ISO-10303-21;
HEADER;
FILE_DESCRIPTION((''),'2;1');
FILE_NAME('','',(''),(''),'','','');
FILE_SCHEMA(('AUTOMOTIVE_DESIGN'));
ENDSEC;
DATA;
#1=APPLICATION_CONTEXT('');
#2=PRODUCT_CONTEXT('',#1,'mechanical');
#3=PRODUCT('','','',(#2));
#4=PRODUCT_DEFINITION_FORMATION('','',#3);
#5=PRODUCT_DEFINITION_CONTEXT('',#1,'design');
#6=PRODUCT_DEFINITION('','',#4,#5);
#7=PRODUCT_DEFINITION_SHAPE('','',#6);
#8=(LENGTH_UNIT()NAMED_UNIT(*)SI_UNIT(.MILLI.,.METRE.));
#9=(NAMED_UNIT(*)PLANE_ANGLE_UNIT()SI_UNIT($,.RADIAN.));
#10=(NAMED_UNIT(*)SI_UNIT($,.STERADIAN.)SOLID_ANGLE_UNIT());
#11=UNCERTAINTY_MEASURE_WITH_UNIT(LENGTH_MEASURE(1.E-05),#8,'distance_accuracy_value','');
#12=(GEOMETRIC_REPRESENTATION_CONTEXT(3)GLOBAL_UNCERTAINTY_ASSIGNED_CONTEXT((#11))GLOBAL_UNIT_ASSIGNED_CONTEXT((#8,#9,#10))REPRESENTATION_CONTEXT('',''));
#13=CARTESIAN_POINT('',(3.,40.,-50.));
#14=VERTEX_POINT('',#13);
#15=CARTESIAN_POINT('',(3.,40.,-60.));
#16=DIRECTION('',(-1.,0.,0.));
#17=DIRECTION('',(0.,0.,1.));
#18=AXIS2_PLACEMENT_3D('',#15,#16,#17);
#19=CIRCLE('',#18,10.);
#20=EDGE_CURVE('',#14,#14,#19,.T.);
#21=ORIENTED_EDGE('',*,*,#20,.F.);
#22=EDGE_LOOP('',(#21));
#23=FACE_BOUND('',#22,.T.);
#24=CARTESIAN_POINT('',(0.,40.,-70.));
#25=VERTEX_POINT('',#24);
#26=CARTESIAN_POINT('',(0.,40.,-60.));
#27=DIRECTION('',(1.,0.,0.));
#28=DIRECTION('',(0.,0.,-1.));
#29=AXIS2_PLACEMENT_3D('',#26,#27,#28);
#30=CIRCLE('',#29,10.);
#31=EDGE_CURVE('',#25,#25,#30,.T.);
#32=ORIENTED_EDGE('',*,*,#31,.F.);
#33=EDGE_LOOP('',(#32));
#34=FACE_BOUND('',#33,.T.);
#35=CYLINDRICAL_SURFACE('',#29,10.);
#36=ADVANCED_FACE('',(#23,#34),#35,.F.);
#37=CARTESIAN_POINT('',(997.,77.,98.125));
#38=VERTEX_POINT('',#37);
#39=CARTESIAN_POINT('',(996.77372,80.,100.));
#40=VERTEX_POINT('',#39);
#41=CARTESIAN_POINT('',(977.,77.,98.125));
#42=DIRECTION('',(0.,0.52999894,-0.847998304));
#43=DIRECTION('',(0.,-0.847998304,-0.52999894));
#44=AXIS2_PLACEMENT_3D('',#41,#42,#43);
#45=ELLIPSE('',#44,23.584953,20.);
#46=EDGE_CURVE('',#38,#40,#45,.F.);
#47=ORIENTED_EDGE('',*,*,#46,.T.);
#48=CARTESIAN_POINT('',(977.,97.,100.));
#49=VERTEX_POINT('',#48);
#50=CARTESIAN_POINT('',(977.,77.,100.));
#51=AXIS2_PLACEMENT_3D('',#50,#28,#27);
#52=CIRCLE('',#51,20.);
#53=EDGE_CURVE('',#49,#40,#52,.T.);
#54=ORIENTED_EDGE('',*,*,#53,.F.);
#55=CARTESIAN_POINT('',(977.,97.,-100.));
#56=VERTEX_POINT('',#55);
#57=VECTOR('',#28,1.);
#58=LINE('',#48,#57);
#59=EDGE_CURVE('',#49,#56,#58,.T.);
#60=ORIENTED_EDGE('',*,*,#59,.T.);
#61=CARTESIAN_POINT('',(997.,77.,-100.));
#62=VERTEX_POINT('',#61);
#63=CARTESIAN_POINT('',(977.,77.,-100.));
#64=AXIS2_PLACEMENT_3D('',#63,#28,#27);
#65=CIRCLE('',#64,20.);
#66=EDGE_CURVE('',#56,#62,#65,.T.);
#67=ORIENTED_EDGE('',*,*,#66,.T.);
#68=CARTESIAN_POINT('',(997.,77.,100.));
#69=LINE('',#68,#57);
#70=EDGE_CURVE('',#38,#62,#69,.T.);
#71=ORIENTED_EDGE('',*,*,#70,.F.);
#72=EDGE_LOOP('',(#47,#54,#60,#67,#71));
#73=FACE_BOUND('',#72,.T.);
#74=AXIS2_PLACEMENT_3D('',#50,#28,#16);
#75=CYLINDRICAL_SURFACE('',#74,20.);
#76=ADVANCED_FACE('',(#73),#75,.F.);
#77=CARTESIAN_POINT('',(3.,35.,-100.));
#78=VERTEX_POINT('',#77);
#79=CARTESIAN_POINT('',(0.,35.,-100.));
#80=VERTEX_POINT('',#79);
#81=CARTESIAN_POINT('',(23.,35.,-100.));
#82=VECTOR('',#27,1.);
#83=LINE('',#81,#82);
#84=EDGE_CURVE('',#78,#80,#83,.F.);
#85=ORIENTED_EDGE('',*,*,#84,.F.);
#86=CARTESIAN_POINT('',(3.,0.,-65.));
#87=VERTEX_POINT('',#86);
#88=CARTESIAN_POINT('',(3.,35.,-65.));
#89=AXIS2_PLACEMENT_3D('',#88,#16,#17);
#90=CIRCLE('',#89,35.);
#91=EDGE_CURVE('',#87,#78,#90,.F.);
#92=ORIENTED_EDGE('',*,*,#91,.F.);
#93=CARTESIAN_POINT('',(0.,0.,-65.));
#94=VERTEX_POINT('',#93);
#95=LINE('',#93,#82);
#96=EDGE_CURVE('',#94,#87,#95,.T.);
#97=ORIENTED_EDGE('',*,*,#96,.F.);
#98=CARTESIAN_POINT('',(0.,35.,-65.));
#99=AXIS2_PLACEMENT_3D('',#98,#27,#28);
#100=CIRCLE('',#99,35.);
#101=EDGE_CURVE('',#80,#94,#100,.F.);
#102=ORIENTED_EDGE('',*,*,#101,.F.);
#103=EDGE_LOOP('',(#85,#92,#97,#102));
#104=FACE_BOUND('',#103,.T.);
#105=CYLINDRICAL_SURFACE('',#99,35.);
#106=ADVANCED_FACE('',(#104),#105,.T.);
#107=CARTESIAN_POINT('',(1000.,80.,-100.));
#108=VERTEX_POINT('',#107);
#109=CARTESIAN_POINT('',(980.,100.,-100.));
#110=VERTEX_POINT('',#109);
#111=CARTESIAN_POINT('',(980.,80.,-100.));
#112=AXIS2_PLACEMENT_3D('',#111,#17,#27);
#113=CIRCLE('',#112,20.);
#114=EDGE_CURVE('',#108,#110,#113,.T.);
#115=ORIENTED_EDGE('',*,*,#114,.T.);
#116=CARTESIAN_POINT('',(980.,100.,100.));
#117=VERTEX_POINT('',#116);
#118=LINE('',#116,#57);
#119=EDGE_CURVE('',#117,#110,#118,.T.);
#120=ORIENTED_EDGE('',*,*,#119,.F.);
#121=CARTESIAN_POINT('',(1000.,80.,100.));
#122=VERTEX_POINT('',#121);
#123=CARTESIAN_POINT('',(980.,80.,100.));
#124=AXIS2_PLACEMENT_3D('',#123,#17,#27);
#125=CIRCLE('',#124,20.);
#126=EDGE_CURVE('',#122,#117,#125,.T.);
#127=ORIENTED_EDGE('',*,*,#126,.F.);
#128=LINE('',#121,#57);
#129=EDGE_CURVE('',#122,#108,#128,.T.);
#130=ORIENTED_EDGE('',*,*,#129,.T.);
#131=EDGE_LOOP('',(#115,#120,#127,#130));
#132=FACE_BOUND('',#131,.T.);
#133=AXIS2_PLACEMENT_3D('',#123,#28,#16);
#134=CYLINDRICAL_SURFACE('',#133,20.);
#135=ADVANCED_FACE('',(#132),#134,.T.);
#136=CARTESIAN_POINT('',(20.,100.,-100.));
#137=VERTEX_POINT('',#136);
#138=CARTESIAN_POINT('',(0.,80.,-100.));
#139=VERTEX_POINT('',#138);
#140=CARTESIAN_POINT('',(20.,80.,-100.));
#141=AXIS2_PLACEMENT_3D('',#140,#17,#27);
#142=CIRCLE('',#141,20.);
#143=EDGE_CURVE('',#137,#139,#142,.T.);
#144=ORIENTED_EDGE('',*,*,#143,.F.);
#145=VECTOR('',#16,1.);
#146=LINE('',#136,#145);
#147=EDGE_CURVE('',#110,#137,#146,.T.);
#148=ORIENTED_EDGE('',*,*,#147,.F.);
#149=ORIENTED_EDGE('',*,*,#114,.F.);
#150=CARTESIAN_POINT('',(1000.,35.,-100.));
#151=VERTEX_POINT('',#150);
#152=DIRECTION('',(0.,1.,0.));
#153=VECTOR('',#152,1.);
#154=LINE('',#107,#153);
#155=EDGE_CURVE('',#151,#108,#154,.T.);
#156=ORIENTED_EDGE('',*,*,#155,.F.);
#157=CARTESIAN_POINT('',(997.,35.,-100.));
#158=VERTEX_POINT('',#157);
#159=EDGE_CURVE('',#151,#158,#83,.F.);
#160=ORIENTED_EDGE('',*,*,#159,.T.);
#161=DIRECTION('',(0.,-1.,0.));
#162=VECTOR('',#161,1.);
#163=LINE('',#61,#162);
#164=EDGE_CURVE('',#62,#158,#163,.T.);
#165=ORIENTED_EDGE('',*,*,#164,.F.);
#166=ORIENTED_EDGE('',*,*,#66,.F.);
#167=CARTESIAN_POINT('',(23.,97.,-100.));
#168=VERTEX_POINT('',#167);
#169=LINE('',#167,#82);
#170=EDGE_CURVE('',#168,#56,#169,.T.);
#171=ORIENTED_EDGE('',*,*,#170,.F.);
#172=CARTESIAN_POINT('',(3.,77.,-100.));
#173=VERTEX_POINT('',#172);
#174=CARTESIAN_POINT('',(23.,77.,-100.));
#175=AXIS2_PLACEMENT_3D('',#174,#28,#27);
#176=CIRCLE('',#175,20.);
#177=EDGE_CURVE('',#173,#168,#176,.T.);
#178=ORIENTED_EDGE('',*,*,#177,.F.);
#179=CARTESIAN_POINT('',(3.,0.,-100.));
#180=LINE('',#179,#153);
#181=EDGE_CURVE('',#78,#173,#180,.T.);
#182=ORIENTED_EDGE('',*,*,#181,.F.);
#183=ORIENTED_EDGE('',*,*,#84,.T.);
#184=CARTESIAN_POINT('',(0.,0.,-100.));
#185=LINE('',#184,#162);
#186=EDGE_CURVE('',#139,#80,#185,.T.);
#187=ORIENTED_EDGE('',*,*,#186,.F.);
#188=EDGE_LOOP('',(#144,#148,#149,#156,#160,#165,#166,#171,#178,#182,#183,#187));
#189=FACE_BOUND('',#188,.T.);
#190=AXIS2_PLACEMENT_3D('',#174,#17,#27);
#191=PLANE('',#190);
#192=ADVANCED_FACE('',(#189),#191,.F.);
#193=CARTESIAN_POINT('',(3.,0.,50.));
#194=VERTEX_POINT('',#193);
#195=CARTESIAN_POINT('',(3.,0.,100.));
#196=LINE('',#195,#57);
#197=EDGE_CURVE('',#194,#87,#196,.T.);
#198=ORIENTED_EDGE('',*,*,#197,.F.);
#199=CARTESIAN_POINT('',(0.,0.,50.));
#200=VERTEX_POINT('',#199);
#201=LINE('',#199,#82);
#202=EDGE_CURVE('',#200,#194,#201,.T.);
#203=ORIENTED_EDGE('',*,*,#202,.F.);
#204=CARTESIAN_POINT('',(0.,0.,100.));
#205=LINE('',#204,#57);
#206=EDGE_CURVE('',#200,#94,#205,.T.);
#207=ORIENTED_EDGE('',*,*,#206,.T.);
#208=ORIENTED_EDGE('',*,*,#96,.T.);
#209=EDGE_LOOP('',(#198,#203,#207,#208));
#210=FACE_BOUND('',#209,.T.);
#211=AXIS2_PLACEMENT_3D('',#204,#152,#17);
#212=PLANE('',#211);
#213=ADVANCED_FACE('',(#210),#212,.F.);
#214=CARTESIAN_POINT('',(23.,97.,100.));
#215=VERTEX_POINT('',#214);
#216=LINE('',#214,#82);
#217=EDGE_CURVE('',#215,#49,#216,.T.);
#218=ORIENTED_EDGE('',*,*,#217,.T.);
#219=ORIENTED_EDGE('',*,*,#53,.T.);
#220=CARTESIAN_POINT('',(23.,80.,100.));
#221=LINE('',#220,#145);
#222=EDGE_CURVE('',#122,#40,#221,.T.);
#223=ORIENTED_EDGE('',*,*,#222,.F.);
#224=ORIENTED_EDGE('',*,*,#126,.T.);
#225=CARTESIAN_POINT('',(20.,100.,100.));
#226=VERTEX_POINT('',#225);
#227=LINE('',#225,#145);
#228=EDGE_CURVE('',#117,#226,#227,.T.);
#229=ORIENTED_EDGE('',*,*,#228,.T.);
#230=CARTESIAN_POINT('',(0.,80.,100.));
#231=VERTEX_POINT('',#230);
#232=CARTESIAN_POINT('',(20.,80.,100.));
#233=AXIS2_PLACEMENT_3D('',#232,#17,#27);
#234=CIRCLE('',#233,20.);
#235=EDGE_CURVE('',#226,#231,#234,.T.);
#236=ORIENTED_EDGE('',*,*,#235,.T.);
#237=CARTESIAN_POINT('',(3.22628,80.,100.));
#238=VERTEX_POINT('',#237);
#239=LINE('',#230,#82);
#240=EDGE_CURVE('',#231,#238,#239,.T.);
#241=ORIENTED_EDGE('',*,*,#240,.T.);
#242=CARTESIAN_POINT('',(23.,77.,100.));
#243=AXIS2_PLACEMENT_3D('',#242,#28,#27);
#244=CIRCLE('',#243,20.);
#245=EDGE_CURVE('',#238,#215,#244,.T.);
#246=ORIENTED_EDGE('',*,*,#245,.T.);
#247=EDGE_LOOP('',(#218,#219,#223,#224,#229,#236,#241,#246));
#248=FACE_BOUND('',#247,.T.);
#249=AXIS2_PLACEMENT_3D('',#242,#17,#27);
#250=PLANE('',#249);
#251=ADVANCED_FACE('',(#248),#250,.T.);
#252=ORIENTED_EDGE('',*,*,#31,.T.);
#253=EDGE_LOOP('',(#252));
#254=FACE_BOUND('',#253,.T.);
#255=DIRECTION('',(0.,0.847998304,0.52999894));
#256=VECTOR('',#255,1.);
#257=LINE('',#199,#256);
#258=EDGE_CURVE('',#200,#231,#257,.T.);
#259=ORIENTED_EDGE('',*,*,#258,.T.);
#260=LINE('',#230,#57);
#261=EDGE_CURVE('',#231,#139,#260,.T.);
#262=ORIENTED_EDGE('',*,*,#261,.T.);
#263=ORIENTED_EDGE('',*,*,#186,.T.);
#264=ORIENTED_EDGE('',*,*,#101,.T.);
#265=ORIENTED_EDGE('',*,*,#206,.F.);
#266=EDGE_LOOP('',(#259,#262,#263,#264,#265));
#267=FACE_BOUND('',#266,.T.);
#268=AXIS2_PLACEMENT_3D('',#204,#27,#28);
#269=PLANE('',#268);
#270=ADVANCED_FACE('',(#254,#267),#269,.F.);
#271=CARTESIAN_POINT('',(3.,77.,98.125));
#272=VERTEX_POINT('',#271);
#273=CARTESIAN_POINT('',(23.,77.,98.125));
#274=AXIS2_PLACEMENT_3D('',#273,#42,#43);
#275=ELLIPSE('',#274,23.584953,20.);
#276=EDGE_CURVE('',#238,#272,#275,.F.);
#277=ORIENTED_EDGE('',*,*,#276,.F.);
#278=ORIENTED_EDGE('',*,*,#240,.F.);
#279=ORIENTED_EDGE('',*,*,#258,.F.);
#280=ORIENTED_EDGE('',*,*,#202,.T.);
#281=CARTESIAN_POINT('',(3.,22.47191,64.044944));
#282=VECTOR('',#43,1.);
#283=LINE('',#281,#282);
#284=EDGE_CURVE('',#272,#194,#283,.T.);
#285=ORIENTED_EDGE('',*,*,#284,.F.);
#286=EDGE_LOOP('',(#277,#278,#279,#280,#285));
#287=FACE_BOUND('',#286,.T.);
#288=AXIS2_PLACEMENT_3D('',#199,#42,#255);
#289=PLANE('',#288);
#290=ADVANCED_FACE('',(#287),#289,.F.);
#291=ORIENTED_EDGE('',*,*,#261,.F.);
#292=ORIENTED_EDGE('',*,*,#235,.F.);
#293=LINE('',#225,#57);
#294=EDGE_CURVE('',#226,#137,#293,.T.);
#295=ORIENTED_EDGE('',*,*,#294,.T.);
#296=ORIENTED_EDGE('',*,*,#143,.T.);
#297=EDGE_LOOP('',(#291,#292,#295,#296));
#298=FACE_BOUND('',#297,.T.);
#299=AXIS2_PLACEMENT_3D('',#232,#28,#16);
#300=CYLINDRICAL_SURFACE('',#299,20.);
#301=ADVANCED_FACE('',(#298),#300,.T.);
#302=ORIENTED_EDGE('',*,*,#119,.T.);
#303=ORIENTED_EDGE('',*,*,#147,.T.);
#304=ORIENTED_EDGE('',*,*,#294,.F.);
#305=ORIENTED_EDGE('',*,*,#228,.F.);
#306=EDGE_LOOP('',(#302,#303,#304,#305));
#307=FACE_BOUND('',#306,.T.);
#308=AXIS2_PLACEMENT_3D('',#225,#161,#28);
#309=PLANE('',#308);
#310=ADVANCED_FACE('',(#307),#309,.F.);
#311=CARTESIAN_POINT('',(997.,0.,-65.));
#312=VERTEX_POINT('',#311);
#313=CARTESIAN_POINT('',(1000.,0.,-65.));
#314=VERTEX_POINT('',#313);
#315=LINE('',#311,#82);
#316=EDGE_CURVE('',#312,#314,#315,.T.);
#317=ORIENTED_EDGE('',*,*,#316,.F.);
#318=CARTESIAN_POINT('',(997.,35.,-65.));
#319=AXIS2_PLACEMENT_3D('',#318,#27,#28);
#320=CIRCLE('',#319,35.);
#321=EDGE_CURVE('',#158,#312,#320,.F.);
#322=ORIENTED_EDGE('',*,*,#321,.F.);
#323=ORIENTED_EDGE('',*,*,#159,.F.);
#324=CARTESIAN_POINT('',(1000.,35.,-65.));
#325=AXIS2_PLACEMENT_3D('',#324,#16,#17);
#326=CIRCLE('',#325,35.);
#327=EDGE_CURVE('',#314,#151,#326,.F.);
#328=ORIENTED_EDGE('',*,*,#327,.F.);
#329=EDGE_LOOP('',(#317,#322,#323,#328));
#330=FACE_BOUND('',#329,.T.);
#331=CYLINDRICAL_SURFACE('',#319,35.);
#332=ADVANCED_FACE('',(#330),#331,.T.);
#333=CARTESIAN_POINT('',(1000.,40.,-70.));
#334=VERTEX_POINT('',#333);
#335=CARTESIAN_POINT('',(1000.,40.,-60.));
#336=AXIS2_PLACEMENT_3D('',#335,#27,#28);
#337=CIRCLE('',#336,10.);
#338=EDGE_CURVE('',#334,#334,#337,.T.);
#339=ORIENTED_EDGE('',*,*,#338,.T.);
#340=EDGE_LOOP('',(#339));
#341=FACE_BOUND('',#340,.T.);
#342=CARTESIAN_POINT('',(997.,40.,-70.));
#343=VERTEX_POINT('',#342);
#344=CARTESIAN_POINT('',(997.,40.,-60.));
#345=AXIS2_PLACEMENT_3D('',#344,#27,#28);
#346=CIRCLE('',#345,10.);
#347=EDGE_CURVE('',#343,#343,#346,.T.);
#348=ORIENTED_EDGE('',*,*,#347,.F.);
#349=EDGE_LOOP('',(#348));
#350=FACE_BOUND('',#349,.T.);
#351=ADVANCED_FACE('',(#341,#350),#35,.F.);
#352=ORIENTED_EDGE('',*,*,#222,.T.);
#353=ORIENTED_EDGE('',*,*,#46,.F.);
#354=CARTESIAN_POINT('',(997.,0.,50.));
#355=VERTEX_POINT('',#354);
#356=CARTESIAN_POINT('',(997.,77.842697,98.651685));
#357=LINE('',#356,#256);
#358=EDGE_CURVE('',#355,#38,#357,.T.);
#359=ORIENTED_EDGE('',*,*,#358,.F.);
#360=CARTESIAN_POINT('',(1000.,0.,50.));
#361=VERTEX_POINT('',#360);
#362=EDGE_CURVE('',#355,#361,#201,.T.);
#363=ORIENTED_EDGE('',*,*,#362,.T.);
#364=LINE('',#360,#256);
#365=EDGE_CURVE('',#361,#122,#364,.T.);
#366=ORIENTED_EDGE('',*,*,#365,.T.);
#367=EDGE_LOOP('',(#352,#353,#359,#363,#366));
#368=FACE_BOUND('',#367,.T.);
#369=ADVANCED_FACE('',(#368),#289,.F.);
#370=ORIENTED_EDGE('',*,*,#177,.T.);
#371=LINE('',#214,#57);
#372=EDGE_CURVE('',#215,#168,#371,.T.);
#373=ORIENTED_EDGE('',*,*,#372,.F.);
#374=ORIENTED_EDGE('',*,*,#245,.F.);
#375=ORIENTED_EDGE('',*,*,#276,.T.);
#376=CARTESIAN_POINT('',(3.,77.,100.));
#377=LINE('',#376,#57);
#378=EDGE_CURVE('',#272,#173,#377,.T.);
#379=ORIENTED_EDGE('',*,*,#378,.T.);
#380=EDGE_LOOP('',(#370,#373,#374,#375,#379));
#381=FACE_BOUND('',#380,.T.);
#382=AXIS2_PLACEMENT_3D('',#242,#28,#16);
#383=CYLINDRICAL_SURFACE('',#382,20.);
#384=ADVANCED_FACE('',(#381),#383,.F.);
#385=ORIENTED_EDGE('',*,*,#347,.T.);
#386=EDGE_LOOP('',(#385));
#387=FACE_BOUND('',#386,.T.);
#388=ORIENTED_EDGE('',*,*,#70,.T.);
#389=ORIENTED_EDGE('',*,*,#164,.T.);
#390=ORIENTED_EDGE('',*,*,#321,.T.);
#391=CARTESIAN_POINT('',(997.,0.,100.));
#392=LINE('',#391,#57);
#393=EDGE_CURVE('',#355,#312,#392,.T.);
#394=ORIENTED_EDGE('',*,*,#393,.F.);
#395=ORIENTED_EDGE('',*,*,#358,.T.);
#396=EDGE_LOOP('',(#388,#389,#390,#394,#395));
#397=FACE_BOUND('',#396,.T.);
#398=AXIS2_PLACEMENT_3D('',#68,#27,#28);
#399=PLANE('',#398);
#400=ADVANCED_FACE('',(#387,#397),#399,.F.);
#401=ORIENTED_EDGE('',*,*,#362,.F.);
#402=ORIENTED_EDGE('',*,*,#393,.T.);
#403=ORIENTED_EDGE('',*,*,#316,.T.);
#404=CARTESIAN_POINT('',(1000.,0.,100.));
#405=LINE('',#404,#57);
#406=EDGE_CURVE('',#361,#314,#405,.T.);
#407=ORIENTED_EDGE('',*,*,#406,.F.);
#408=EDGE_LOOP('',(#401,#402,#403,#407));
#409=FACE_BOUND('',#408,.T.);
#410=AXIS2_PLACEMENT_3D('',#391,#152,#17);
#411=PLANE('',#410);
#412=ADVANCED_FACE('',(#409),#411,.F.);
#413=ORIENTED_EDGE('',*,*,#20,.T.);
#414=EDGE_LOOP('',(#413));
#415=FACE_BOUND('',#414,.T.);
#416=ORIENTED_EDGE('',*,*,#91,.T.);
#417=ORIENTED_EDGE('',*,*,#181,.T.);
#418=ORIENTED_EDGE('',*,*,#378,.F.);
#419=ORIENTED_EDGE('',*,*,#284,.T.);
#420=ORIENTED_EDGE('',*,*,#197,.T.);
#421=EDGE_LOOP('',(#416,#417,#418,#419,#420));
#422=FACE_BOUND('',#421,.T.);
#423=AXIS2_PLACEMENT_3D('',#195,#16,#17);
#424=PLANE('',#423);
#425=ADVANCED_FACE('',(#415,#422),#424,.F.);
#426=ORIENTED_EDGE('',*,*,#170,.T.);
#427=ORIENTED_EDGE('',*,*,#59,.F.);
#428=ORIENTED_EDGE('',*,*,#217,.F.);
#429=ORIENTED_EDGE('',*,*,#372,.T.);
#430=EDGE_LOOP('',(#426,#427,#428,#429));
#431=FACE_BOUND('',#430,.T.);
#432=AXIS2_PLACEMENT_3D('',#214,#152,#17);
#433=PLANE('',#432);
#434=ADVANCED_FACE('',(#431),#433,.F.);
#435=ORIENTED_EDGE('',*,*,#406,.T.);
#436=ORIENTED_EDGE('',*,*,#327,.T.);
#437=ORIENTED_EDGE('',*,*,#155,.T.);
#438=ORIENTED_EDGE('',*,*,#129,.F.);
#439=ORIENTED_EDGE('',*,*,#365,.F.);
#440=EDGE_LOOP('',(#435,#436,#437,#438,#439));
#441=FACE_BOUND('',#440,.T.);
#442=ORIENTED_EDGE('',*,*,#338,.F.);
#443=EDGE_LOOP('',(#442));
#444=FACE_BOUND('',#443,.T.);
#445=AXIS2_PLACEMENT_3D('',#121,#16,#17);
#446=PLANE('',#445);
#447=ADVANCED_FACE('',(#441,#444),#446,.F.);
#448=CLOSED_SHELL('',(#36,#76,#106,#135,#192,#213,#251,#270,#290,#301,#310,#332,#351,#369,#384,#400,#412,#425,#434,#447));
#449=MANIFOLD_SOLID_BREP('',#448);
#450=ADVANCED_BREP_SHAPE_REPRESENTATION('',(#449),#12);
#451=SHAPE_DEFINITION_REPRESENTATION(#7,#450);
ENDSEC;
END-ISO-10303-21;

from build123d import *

# Parameters (mm, degrees)
BOSS_EXTRUDE1_DEPTH = 100
CUT_EXTRUDE1_DEPTH  = 1001
SKETCH4_R           = 10
CUT_EXTRUDE2_DEPTH  = 1001
FILLET3_R           = 35


with BuildPart() as part:
    # Sketch2 → Boss-Extrude1 (new body, symmetric)
    with BuildSketch(Plane.XY):
        with BuildLine():
            Line((0, 0), (0, 80))
            ThreePointArc((0, 80), (5.857864376, 94.142135624), (20, 100))
            Line((20, 100), (980, 100))
            ThreePointArc((980, 100), (994.142135624, 94.142135624), (1000, 80))
            Line((1000, 80), (1000, 0))
            Line((1000, 0), (997, 0))
            Line((997, 0), (997, 77))
            ThreePointArc((997, 77), (991.142135624, 91.142135624), (977, 97))
            Line((977, 97), (23, 97))
            ThreePointArc((23, 97), (8.857864376, 91.142135624), (3, 77))
            Line((3, 77), (3, 0))
            Line((3, 0), (0, 0))
        make_face()
    extrude(amount=BOSS_EXTRUDE1_DEPTH, both=True)

    # Sketch3 → Cut-Extrude1 (cut, through all)
    with BuildSketch(Plane(origin=(1000, 0, 0), x_dir=(0, 0, -1), z_dir=(1, 0, 0))):
        Polygon((-100, 0), (-50, 0), (-100, 80), align=None)
    extrude(amount=-CUT_EXTRUDE1_DEPTH, mode=Mode.SUBTRACT)

    # Sketch4 → Cut-Extrude2 (cut, through all)
    with BuildSketch(Plane(origin=(1000, 0, 0), x_dir=(0, 0, -1), z_dir=(1, 0, 0))):
        with Locations((60, 40)):
            Circle(SKETCH4_R)
    extrude(amount=-CUT_EXTRUDE2_DEPTH, mode=Mode.SUBTRACT)

    # Fillet3
    fillet3_edges = [part.edges().sort_by_distance(p)[0] for p in [
        (998.5, 0, -100),
        (1.5, 0, -100),
    ]]
    fillet(fillet3_edges, radius=FILLET3_R)


solid = part.part
